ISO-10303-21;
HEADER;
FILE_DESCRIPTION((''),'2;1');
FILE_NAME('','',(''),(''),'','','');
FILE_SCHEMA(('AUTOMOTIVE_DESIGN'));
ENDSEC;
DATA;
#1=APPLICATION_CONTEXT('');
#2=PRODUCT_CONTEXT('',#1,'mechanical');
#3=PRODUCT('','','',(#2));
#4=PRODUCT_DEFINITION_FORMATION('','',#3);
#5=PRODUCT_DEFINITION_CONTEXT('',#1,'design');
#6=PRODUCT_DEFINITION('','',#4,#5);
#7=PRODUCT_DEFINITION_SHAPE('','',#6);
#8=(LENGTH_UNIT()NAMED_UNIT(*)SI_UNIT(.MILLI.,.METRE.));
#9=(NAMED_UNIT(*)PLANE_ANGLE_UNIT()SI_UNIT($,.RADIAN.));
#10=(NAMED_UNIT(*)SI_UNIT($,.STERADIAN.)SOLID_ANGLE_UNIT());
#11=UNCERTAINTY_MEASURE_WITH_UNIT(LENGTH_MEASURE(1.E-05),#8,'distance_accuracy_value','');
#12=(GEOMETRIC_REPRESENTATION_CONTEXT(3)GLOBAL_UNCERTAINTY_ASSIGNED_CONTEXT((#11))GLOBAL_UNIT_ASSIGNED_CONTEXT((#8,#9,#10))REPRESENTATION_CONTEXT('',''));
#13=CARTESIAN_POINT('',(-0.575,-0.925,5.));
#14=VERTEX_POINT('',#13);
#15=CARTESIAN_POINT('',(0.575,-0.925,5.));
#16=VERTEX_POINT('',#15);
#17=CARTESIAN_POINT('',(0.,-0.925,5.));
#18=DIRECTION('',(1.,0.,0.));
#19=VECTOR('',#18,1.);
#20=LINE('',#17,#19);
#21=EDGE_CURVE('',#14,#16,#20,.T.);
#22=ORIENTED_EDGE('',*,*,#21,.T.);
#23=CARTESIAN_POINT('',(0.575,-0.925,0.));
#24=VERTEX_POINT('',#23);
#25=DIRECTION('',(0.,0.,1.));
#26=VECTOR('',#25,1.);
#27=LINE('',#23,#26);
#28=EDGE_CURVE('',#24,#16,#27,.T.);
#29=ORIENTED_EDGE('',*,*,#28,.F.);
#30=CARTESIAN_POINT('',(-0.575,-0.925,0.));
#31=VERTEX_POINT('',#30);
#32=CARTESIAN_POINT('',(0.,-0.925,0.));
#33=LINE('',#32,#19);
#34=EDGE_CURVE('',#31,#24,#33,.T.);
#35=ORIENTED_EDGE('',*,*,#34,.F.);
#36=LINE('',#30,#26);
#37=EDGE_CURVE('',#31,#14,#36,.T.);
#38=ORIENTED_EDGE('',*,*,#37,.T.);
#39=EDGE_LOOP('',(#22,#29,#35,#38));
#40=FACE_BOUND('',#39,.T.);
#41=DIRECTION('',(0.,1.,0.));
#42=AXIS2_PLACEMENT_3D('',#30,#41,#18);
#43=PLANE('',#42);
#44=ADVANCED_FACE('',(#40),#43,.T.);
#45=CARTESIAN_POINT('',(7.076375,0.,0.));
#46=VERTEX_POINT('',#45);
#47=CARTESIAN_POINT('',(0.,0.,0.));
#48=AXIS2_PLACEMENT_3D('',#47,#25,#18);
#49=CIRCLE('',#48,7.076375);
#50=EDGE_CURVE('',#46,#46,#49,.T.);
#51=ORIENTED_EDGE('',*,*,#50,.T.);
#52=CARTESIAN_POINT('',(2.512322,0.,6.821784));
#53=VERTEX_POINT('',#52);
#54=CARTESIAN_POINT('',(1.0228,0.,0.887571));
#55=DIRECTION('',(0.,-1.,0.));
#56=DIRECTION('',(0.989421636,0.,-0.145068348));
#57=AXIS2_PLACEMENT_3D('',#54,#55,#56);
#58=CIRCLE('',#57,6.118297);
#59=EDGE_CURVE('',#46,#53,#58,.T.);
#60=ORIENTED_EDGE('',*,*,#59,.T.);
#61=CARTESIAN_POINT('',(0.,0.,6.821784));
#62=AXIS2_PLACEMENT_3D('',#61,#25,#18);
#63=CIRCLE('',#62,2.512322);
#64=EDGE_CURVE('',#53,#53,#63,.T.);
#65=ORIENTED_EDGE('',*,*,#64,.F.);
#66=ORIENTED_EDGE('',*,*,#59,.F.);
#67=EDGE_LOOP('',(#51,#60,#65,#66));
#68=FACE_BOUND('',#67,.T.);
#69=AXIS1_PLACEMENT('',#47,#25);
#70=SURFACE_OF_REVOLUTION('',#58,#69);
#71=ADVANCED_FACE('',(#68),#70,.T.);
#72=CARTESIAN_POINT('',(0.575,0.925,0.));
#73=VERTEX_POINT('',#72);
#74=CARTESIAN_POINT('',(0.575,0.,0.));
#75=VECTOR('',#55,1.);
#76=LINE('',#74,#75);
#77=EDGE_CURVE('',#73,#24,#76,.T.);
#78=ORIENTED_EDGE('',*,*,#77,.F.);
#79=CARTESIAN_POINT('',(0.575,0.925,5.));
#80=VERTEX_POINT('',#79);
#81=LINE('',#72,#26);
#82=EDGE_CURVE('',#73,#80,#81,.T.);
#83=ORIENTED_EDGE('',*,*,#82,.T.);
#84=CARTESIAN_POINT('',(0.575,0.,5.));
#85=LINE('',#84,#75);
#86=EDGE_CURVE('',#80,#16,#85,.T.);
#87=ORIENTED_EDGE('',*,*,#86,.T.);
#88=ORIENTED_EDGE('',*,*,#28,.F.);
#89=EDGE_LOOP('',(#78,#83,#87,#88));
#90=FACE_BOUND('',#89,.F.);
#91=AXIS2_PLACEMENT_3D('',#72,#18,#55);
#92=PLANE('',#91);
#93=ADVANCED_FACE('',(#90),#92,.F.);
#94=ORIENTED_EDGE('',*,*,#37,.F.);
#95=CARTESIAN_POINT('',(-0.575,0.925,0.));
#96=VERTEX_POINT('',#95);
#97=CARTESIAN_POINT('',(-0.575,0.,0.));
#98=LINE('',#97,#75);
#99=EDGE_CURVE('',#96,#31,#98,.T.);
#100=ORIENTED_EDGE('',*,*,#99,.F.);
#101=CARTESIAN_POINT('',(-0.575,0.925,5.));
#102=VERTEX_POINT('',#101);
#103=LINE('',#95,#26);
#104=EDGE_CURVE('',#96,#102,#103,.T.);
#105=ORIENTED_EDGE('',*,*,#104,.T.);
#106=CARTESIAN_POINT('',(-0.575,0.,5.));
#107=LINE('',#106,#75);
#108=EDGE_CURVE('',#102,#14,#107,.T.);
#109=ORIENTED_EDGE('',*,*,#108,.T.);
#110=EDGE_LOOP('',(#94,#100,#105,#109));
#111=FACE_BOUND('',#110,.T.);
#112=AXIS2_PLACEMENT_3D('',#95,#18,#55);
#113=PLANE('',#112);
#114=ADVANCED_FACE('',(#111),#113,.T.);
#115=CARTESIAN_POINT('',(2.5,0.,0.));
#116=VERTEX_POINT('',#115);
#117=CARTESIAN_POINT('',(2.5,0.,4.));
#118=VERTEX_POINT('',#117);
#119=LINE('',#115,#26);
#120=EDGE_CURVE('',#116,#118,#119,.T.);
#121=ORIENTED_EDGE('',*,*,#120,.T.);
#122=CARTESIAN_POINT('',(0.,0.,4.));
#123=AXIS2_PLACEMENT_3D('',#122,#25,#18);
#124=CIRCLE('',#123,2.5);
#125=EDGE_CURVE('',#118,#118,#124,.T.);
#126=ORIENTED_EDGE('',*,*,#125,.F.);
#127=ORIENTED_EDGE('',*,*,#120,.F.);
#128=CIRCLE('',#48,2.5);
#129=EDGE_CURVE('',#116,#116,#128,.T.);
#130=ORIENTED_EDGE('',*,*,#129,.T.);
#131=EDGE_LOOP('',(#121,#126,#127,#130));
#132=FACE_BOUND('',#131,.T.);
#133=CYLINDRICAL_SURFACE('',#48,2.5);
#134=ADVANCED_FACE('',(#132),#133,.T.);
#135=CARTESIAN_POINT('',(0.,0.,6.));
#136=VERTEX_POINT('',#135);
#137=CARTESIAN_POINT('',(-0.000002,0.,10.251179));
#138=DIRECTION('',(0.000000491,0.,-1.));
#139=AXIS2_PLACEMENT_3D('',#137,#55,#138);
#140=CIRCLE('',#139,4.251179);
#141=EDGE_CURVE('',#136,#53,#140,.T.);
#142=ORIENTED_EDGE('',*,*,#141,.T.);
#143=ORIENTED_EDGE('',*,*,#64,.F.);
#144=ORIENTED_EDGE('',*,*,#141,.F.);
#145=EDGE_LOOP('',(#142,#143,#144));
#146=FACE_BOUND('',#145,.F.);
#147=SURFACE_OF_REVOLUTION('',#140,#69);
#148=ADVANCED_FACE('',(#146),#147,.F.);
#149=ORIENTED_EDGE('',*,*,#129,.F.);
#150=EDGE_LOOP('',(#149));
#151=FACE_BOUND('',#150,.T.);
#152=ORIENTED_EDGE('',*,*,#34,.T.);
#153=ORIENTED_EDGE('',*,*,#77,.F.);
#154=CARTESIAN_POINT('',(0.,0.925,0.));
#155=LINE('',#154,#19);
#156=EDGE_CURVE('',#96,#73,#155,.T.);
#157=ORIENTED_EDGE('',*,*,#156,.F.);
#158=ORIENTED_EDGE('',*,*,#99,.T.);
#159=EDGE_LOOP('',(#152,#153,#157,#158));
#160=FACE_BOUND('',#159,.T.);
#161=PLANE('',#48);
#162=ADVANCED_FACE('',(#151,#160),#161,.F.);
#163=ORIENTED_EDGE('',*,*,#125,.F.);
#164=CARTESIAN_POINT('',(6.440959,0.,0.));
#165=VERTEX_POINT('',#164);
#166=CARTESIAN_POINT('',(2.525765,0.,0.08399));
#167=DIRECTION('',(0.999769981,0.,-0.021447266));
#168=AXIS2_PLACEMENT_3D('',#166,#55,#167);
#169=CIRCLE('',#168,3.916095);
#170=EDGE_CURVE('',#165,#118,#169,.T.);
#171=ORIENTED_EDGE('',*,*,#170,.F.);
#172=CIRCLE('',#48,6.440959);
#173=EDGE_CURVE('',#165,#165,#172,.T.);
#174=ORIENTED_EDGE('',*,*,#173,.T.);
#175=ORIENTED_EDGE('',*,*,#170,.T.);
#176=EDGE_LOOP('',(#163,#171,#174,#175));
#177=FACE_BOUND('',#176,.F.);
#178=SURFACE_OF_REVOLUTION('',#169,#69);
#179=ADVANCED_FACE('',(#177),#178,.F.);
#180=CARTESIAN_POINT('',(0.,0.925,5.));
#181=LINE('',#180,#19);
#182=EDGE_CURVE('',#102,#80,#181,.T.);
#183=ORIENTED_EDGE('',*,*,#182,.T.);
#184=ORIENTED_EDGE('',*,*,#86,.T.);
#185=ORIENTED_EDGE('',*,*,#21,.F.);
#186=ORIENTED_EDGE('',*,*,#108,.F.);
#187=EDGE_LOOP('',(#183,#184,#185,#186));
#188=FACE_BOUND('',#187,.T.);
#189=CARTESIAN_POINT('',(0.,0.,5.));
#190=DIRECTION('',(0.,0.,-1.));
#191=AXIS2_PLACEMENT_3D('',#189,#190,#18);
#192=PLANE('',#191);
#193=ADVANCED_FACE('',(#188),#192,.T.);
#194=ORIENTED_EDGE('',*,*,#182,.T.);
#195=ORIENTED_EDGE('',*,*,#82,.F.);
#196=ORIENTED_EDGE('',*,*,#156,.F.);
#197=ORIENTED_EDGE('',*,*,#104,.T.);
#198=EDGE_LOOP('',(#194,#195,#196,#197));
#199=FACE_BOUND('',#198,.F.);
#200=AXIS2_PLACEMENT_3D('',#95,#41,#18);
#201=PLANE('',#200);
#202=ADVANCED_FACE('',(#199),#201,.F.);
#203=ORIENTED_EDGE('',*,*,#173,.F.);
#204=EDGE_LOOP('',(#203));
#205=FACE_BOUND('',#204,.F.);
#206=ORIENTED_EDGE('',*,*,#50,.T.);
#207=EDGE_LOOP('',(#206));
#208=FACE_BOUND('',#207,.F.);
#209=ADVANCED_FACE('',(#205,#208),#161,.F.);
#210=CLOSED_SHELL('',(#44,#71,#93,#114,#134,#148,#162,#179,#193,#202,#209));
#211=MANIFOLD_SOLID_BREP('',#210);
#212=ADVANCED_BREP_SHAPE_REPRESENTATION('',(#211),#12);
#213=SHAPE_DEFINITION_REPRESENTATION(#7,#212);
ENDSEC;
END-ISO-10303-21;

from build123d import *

# Parameters (mm, degrees)
SKETCH001_W  = 1.15
SKETCH001_H  = 1.85
POCKET_DEPTH = 5


with BuildPart() as part:
    # Sketch → Revolution (revolve)
    with BuildSketch(Plane.XZ):
        with BuildLine():
            ThreePointArc((0, 6), (1.321655, 6.210666), (2.512322, 6.821784))
            ThreePointArc((7.076375, 0), (6.107951, 4.289746), (2.512322, 6.821784))
            Line((7.076375, 0), (6.440959, 0))
            ThreePointArc((6.440959, 0), (5.315373, 2.832423), (2.5, 4))
            Line((2.5, 0), (2.5, 4))
            Line((0, 0), (2.5, 0))
            Line((0, 0), (0, 6))
        make_face()
    revolve(axis=Axis((0, 0, 0), (0, 0, 1)))

    # Sketch001 (on Face6 of Revolution) → Pocket (cut)
    with BuildSketch(Plane(origin=(0, 0, 0), x_dir=(1, 0, 0), z_dir=(0, 0, -1))):
        Rectangle(SKETCH001_W, SKETCH001_H)
    extrude(amount=-POCKET_DEPTH, mode=Mode.SUBTRACT)


solid = part.part
